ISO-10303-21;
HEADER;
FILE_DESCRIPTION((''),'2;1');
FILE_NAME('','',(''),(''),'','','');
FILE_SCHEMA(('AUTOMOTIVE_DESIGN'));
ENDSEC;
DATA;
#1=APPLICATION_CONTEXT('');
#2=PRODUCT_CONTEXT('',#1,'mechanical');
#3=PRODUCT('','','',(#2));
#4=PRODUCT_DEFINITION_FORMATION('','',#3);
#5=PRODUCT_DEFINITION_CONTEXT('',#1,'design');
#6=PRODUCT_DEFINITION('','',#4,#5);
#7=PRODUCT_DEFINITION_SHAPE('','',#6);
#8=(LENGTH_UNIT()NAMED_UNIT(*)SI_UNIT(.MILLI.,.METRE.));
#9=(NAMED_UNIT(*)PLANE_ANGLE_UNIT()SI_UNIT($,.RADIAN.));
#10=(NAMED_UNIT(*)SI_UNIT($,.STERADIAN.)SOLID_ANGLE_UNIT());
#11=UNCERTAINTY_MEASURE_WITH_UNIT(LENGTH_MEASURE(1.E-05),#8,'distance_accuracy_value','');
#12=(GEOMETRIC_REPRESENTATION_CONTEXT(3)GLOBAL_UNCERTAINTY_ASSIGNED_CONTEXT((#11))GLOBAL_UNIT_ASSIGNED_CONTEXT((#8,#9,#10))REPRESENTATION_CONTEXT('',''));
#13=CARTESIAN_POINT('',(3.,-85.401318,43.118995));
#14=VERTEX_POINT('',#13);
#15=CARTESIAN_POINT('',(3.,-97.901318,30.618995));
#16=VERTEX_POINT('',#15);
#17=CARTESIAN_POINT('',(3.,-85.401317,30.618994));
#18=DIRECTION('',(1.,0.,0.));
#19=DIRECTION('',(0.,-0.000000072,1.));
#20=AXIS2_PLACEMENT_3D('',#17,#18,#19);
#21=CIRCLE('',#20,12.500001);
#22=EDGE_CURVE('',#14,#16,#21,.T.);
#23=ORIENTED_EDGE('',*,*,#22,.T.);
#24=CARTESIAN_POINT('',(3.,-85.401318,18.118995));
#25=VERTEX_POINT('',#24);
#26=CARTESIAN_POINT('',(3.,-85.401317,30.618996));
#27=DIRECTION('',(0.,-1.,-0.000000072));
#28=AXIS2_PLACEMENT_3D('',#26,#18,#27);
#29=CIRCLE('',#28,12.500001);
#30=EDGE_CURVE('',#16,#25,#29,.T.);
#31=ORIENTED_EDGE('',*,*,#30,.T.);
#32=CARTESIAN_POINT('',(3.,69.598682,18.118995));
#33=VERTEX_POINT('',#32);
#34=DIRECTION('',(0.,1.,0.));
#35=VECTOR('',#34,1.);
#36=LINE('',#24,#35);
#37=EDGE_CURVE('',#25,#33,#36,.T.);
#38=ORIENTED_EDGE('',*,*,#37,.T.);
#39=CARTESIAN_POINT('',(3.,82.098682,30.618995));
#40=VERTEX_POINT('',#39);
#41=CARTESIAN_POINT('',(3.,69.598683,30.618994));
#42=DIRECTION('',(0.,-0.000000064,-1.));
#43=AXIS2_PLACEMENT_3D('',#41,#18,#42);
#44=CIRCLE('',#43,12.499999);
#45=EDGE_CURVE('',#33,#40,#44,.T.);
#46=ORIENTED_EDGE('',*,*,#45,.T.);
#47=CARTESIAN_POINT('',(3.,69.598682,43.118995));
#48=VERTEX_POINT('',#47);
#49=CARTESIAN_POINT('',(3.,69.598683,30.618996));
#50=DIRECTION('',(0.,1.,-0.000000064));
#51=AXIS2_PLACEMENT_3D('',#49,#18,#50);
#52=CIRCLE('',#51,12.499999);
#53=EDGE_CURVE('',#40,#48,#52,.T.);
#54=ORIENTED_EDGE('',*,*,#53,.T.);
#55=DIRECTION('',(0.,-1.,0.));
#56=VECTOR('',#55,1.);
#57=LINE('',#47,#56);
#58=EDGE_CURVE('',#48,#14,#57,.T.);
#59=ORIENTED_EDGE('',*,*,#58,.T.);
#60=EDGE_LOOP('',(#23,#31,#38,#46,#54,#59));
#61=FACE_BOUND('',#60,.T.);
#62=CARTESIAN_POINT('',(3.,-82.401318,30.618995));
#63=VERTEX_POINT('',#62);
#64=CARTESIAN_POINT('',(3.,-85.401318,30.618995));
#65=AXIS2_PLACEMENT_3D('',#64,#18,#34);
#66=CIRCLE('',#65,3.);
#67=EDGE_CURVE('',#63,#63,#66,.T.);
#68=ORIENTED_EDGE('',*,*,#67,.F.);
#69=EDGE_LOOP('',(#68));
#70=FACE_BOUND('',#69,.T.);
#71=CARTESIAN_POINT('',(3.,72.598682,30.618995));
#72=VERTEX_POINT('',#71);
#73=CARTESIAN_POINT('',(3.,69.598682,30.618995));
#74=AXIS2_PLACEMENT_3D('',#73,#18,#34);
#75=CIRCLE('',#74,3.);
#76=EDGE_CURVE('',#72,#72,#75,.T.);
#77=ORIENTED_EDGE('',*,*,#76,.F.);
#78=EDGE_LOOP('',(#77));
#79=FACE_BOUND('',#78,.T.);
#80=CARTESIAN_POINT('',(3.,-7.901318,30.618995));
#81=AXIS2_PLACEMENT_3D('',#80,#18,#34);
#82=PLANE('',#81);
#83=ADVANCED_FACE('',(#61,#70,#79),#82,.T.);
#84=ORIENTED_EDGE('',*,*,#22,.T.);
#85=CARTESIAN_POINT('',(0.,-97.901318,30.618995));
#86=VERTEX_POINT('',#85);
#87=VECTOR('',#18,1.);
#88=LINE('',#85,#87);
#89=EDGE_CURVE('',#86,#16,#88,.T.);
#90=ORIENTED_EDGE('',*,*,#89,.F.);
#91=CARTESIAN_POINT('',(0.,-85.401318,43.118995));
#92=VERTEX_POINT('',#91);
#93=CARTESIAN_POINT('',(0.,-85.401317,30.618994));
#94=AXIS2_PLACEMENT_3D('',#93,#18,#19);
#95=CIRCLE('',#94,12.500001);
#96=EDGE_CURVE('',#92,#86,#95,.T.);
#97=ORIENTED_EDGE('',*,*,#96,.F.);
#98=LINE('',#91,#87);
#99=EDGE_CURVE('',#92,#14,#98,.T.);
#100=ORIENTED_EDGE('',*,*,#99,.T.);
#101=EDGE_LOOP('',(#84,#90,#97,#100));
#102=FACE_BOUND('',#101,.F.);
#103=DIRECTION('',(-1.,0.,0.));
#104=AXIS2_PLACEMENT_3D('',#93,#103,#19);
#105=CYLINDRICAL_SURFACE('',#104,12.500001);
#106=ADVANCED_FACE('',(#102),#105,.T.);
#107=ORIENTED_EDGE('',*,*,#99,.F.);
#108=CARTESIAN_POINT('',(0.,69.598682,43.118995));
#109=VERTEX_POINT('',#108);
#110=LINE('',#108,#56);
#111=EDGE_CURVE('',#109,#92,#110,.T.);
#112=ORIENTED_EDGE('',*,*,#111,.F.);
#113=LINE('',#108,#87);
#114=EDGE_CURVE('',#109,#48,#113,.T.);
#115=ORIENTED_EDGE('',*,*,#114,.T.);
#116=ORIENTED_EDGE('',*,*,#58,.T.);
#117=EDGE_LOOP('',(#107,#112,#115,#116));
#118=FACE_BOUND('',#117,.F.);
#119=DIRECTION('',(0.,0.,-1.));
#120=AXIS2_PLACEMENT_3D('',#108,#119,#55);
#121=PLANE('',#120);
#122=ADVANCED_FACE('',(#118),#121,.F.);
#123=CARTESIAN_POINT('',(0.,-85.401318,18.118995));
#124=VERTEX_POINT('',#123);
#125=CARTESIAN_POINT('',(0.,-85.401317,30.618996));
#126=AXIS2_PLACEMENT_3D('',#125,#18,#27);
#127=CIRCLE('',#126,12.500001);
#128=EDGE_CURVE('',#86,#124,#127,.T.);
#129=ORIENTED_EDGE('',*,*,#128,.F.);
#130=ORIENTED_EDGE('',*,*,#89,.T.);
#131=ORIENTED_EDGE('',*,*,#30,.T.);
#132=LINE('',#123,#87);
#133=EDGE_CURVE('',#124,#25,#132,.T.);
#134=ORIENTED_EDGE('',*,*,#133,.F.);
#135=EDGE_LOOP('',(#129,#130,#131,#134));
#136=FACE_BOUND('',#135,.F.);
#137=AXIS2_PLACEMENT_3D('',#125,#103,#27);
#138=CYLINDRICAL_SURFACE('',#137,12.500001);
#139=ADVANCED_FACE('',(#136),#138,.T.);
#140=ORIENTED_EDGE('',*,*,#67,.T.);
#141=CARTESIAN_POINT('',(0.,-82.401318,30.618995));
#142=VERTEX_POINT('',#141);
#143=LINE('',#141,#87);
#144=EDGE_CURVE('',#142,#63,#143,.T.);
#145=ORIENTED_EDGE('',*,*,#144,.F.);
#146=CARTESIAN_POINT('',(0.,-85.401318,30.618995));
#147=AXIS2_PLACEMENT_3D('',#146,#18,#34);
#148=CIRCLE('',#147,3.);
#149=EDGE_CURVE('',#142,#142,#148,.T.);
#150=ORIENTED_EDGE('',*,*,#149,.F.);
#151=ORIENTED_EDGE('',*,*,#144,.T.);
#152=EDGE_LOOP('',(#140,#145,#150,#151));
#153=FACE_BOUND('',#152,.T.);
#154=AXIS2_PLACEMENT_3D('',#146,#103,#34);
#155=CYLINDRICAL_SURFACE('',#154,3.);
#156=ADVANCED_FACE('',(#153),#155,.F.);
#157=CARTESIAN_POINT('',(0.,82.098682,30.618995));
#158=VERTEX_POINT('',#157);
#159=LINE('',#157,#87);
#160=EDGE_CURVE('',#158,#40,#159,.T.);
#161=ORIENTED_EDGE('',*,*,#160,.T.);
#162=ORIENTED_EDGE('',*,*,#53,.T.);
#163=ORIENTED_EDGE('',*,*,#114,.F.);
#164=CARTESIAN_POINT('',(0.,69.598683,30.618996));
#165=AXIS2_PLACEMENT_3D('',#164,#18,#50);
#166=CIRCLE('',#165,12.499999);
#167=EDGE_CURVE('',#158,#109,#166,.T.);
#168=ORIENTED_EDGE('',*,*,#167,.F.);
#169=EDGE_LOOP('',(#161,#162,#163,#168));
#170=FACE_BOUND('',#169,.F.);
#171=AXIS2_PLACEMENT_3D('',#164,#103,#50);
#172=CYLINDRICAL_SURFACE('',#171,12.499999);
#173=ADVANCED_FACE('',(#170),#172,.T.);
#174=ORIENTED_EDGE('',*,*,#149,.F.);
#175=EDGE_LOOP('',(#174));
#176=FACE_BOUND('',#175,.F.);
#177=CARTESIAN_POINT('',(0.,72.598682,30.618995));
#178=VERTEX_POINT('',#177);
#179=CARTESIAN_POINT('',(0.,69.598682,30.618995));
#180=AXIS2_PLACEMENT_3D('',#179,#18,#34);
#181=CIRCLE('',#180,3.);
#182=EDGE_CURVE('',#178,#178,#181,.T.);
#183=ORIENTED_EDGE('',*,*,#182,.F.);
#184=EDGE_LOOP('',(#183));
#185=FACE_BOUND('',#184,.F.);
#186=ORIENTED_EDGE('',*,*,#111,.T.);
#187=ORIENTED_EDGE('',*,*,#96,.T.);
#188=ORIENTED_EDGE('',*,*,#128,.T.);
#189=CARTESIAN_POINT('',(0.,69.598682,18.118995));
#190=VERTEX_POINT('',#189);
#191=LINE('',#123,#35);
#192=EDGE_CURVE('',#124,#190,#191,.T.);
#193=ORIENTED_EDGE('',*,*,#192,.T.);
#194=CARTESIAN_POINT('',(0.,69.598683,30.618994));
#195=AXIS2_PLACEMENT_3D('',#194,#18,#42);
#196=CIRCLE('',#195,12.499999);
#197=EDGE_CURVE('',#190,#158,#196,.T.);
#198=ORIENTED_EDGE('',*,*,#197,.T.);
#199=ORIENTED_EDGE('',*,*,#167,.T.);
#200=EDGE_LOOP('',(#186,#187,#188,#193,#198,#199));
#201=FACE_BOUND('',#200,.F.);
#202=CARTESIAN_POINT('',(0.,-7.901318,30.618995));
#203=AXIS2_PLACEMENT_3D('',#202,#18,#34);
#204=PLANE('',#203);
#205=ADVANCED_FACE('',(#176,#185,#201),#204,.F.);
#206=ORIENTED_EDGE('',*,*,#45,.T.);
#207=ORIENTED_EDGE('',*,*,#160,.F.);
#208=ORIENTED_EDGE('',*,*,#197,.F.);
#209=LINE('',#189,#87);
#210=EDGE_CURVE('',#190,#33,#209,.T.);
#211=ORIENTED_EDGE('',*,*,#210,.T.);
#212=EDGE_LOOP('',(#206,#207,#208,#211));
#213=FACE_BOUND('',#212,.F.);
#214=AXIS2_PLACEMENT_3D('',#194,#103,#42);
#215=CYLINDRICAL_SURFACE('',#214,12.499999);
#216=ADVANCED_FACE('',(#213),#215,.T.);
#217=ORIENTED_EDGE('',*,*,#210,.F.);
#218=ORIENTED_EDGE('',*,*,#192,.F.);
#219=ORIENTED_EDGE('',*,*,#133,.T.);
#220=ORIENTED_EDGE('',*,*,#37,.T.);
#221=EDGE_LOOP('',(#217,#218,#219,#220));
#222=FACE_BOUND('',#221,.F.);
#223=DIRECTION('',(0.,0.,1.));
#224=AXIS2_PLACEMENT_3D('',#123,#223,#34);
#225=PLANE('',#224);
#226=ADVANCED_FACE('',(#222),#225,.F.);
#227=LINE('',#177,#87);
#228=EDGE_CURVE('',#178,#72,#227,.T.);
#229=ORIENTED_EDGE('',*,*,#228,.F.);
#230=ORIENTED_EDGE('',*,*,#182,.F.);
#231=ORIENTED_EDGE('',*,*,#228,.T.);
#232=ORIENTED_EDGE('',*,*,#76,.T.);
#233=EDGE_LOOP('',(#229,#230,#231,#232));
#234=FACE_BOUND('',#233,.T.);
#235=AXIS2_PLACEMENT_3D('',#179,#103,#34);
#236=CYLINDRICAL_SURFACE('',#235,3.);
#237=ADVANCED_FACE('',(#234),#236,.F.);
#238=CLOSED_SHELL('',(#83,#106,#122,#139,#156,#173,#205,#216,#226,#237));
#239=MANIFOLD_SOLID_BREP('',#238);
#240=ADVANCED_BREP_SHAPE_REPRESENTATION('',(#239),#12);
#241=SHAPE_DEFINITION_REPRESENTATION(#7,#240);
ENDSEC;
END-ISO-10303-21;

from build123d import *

# Parameters (mm, degrees)
F0_R     = 3
F1_DEPTH = 3


with BuildPart() as f1:
    # F0 (on Right) → F1 (new body)
    with BuildSketch(Plane.YZ):
        with BuildLine():
            Line((69.598682, 43.118995), (-85.401318, 43.118995))
            ThreePointArc((-85.401318, 43.118995), (-94.240152, 39.45783), (-97.901318, 30.618995))
            ThreePointArc((-97.901318, 30.618995), (-94.240152, 21.78016), (-85.401318, 18.118995))
            Line((-85.401318, 18.118995), (69.598682, 18.118995))
            ThreePointArc((69.598682, 18.118995), (78.437517, 21.78016), (82.098682, 30.618995))
            ThreePointArc((82.098682, 30.618995), (78.437517, 39.45783), (69.598682, 43.118995))
        make_face()
        with Locations((-85.401318, 30.618995)):
            Circle(F0_R, mode=Mode.SUBTRACT)
        with Locations((69.598682, 30.618995)):
            Circle(F0_R, mode=Mode.SUBTRACT)
    extrude(amount=F1_DEPTH)


solid = f1.part
